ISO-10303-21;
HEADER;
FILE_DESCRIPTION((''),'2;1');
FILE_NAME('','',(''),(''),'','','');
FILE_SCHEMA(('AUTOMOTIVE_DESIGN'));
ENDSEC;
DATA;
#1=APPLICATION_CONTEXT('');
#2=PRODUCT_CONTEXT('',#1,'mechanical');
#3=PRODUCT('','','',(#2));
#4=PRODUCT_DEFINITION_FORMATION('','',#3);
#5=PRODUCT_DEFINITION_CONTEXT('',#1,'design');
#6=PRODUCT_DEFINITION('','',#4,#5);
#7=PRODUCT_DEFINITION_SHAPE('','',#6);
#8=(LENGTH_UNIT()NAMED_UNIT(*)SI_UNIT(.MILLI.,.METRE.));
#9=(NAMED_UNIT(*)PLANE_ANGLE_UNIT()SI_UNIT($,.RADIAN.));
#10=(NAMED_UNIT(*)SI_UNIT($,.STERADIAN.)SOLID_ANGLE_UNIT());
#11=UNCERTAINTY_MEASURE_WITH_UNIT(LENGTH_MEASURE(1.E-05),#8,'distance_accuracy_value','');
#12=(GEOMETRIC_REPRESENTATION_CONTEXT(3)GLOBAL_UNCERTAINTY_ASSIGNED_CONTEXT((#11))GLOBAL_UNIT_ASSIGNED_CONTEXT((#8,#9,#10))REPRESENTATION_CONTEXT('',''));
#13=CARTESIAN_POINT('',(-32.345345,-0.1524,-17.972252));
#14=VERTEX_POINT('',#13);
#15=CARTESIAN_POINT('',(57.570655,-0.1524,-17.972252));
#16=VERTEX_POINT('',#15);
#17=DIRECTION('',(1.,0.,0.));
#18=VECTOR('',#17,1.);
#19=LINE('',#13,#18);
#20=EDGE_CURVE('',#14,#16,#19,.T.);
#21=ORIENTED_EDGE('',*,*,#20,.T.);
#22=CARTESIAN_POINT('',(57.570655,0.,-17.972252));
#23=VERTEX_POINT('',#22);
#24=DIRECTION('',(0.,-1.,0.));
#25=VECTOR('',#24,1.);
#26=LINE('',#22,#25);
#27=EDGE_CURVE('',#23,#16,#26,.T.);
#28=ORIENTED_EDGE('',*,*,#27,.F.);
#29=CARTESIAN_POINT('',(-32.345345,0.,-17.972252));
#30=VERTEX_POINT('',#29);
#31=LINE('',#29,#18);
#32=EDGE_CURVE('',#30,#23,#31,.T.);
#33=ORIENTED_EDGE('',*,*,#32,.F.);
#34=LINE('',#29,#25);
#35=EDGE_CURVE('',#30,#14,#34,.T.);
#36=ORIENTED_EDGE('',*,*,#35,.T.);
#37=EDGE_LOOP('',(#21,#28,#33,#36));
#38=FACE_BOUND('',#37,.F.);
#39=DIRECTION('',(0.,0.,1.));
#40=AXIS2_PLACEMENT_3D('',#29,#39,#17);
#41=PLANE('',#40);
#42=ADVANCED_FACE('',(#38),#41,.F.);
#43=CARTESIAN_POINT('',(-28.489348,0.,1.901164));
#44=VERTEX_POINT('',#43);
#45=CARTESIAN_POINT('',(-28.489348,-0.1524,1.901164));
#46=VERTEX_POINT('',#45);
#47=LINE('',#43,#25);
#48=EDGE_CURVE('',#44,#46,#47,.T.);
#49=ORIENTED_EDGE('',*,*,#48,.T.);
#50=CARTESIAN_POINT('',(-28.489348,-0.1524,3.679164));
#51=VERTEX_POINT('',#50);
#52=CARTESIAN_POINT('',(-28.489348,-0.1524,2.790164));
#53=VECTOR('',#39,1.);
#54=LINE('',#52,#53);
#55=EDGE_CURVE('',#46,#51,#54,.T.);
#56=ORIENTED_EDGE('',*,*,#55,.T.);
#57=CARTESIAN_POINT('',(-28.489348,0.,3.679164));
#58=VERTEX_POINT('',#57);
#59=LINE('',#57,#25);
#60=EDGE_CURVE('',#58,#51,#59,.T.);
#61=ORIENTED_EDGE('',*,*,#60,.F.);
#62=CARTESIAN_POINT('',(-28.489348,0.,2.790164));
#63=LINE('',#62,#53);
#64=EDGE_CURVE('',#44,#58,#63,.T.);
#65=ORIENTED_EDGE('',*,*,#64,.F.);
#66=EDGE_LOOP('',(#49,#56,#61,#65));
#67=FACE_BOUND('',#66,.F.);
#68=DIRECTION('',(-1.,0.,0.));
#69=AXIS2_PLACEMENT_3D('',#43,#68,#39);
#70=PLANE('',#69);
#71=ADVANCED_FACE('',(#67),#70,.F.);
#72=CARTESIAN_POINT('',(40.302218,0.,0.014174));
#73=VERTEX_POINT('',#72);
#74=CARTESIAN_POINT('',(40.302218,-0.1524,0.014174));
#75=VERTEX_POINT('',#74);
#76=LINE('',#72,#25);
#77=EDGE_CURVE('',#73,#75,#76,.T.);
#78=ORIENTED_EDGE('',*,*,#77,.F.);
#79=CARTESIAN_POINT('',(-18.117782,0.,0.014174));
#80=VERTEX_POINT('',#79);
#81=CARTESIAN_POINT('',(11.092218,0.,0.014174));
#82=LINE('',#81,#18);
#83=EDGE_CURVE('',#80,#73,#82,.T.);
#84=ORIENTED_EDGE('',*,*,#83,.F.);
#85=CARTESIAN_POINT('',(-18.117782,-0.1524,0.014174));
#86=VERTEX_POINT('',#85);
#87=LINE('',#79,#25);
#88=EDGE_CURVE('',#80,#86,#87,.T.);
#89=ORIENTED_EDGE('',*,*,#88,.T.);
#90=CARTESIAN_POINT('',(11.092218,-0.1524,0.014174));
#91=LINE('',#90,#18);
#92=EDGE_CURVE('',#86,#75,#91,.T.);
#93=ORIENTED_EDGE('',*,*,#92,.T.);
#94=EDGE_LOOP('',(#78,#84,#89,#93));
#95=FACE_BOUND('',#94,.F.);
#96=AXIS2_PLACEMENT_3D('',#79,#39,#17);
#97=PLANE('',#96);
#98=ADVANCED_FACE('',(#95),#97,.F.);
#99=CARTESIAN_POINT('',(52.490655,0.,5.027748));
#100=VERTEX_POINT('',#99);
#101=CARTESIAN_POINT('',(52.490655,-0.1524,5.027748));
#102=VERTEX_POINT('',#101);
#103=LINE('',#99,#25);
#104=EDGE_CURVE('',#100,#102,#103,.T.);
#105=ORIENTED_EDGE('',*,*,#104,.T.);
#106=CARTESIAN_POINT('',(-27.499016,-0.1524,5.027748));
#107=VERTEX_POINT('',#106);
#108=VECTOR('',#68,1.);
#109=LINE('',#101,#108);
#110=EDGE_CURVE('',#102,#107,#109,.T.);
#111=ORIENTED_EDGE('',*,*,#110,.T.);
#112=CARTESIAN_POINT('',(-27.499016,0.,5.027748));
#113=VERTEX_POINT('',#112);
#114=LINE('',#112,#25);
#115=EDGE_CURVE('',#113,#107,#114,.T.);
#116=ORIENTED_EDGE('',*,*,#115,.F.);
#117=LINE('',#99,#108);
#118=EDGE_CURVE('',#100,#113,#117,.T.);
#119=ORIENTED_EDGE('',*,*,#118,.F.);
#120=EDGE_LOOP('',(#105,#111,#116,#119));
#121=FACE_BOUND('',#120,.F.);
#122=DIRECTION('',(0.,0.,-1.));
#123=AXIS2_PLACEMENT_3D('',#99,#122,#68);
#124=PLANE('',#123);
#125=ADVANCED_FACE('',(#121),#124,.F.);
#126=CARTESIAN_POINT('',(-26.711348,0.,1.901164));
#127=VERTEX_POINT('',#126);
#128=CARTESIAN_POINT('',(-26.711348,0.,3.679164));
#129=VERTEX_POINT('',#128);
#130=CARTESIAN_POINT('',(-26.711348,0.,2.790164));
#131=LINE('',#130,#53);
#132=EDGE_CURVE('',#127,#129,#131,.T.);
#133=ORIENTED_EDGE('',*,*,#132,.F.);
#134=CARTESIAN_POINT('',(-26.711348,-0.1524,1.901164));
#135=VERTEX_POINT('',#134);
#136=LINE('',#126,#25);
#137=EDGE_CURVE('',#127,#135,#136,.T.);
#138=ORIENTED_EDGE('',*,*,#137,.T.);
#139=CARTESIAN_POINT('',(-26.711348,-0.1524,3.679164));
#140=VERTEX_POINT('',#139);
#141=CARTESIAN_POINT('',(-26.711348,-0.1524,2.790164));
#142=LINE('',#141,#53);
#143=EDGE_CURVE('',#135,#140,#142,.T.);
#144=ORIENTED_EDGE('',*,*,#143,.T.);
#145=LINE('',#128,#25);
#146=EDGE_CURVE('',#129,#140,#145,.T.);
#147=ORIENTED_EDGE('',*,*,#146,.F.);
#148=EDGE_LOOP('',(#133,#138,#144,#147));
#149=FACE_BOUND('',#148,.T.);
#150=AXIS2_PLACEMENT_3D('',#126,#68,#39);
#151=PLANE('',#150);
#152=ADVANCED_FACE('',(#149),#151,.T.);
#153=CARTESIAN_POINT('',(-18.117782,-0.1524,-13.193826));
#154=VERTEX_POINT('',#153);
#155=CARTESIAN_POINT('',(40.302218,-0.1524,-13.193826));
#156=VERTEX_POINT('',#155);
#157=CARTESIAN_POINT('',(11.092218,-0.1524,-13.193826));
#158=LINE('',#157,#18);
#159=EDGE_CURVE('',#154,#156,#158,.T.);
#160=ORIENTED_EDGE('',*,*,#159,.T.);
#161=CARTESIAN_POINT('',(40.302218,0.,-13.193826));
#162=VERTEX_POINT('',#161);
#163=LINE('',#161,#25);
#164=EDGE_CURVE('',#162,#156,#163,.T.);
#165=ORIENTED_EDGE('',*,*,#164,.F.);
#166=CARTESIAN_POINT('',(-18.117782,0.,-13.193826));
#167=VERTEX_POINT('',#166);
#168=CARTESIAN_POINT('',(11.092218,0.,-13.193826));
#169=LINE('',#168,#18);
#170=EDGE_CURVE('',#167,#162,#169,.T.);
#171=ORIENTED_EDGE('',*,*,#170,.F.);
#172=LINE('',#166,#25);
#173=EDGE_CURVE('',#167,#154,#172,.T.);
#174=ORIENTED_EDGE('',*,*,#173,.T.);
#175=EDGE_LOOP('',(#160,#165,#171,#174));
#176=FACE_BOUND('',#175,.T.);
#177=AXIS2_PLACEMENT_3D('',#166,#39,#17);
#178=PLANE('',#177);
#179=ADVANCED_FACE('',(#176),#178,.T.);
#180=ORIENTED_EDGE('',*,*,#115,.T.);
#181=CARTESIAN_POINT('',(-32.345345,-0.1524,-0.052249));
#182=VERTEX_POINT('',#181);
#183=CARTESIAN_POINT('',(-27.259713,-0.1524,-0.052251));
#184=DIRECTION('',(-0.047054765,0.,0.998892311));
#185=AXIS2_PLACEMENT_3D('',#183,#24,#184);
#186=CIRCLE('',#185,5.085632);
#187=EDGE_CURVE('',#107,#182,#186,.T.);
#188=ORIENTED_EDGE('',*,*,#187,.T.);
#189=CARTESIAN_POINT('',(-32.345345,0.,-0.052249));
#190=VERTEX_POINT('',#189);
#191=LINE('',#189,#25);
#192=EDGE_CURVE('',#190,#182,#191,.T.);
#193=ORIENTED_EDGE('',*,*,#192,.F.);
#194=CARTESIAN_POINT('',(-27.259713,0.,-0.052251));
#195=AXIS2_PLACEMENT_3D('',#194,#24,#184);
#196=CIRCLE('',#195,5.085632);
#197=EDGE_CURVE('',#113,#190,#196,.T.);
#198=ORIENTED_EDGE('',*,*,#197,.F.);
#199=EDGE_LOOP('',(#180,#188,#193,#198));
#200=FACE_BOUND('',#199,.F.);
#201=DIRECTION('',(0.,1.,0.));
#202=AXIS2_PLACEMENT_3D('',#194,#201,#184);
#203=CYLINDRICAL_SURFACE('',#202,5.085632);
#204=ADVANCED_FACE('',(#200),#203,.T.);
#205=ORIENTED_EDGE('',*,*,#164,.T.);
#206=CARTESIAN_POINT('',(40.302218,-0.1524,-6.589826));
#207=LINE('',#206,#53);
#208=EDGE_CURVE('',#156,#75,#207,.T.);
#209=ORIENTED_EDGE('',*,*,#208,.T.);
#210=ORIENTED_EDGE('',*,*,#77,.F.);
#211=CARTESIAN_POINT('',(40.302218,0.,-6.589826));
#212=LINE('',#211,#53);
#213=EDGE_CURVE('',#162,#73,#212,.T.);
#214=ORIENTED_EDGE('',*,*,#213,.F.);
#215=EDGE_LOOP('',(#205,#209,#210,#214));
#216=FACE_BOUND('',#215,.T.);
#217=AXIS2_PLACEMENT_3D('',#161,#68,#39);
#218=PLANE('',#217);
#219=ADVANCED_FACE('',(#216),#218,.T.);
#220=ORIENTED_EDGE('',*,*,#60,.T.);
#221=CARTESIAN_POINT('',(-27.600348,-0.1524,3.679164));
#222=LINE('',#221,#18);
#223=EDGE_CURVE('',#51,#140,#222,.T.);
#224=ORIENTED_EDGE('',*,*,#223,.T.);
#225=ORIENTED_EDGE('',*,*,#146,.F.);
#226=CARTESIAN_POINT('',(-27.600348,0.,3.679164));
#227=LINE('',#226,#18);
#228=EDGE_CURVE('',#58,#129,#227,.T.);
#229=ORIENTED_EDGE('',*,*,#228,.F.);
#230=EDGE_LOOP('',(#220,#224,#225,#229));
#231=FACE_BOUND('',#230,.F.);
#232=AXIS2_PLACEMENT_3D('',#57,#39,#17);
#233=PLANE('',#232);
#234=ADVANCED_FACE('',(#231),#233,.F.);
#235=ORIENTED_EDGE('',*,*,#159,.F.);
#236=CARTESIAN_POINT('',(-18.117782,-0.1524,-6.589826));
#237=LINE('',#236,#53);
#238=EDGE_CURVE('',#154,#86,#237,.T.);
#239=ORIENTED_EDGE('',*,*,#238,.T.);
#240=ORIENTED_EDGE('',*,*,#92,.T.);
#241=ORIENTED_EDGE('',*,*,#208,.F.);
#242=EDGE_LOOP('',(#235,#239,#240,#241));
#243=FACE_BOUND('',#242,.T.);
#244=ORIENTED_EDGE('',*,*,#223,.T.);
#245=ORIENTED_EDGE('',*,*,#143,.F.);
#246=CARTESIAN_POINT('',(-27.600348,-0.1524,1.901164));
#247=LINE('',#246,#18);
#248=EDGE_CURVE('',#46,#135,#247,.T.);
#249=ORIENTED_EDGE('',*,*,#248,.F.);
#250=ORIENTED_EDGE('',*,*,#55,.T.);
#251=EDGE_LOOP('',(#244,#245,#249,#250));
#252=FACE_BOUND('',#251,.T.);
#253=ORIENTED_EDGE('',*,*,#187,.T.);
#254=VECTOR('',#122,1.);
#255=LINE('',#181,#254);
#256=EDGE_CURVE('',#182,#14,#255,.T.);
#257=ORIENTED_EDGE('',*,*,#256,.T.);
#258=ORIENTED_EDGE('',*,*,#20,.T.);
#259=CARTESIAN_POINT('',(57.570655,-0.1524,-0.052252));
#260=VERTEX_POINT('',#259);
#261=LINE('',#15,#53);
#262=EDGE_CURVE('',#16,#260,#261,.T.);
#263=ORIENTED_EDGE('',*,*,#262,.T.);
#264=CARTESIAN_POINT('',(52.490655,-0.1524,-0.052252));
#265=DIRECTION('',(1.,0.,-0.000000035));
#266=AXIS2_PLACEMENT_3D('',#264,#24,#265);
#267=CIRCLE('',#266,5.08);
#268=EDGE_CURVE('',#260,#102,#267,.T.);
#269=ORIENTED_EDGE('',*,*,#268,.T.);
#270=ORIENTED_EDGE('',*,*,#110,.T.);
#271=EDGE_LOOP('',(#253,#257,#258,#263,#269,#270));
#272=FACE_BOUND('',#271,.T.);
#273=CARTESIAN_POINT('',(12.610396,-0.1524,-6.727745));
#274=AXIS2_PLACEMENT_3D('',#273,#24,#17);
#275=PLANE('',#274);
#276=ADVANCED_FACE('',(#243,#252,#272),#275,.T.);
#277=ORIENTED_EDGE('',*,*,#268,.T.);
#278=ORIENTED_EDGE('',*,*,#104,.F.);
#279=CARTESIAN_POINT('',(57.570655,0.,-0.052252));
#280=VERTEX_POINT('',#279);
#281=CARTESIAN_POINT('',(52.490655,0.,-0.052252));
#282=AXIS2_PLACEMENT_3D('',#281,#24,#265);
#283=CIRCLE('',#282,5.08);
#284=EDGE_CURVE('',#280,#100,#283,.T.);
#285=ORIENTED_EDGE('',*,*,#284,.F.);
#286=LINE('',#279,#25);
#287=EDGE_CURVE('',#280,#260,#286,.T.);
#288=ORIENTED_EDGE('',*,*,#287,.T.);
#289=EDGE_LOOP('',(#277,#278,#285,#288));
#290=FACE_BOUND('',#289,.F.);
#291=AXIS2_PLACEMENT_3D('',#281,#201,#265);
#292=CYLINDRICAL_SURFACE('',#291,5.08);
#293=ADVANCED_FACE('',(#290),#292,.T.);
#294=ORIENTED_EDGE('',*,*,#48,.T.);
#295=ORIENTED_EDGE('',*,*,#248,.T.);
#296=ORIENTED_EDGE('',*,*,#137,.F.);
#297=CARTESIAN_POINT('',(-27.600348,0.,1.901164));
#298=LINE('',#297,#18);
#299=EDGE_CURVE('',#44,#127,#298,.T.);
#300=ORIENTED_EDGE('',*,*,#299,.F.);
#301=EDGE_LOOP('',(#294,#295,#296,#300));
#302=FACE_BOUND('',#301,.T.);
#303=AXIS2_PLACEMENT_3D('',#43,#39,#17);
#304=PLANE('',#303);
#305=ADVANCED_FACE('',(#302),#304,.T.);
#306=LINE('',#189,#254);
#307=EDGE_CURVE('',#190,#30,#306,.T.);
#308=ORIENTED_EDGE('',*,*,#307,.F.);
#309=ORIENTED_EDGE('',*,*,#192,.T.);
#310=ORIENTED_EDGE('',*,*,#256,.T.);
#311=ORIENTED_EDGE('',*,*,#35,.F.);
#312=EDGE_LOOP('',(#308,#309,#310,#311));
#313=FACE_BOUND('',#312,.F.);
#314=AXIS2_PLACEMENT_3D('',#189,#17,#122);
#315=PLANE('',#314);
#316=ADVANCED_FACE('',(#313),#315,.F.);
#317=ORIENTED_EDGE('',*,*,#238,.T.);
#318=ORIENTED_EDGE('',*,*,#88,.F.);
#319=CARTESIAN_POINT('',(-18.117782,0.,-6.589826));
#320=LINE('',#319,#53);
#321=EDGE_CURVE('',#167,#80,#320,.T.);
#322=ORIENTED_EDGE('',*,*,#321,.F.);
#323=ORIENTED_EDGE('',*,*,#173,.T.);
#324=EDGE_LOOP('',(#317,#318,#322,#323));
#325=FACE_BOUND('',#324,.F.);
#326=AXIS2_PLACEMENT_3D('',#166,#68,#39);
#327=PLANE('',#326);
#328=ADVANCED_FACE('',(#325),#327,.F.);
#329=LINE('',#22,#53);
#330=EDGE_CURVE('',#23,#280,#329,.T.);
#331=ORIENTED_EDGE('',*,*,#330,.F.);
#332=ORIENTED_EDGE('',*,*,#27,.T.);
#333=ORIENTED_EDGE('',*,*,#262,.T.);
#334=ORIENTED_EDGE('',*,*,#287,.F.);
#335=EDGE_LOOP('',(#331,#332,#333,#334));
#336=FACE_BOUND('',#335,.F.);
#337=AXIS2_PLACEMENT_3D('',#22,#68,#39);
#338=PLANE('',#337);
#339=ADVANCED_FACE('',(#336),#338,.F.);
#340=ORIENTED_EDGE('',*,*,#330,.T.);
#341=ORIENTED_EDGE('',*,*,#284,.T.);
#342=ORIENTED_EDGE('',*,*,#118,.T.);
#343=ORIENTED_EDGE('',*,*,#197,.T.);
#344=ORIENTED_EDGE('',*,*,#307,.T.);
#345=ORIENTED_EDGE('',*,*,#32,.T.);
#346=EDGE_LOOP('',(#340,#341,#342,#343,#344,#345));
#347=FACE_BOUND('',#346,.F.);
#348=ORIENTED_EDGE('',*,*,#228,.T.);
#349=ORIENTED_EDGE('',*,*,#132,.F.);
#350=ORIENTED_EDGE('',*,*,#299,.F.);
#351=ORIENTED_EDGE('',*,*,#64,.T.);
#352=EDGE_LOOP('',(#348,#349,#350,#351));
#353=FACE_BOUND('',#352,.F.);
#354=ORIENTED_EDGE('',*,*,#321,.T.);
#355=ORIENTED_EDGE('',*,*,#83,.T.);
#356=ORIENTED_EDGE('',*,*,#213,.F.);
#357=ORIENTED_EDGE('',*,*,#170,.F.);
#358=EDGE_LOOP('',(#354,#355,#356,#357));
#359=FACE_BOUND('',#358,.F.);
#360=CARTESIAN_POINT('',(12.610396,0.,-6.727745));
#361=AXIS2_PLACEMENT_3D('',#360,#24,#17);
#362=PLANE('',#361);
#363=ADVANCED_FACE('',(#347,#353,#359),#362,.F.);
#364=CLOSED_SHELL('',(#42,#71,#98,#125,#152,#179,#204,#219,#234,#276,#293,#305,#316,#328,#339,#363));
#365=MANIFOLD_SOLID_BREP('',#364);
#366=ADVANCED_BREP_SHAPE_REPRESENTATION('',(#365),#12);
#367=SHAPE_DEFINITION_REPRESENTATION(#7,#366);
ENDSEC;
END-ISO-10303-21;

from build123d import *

# Parameters (mm, degrees)
F0_W     = 58.42
F0_H     = 13.208
F0_W_2   = 1.778
F0_H_2   = 1.778
F1_DEPTH = 0.1524


with BuildPart() as f1:
    # F0 (on Front) → F1 (new body)
    with BuildSketch(Plane.XZ):
        with BuildLine():
            Line((52.490655, 5.027748), (-27.499016, 5.027748))
            ThreePointArc((-27.499016, 5.027748), (-30.939431, 3.458209), (-32.345345, -0.052249))
            Line((-32.345345, -0.052249), (-32.345345, -17.972252))
            Line((-32.345345, -17.972252), (57.570655, -17.972252))
            Line((57.570655, -17.972252), (57.570655, -0.052252))
            ThreePointArc((57.570655, -0.052252), (56.082758, 3.53985), (52.490655, 5.027748))
        make_face()
        with Locations((11.092218, -6.589826)):
            Rectangle(F0_W, F0_H, mode=Mode.SUBTRACT)
        with Locations((-27.600348, 2.790164)):
            Rectangle(F0_W_2, F0_H_2, mode=Mode.SUBTRACT)
    extrude(amount=F1_DEPTH)


solid = f1.part
